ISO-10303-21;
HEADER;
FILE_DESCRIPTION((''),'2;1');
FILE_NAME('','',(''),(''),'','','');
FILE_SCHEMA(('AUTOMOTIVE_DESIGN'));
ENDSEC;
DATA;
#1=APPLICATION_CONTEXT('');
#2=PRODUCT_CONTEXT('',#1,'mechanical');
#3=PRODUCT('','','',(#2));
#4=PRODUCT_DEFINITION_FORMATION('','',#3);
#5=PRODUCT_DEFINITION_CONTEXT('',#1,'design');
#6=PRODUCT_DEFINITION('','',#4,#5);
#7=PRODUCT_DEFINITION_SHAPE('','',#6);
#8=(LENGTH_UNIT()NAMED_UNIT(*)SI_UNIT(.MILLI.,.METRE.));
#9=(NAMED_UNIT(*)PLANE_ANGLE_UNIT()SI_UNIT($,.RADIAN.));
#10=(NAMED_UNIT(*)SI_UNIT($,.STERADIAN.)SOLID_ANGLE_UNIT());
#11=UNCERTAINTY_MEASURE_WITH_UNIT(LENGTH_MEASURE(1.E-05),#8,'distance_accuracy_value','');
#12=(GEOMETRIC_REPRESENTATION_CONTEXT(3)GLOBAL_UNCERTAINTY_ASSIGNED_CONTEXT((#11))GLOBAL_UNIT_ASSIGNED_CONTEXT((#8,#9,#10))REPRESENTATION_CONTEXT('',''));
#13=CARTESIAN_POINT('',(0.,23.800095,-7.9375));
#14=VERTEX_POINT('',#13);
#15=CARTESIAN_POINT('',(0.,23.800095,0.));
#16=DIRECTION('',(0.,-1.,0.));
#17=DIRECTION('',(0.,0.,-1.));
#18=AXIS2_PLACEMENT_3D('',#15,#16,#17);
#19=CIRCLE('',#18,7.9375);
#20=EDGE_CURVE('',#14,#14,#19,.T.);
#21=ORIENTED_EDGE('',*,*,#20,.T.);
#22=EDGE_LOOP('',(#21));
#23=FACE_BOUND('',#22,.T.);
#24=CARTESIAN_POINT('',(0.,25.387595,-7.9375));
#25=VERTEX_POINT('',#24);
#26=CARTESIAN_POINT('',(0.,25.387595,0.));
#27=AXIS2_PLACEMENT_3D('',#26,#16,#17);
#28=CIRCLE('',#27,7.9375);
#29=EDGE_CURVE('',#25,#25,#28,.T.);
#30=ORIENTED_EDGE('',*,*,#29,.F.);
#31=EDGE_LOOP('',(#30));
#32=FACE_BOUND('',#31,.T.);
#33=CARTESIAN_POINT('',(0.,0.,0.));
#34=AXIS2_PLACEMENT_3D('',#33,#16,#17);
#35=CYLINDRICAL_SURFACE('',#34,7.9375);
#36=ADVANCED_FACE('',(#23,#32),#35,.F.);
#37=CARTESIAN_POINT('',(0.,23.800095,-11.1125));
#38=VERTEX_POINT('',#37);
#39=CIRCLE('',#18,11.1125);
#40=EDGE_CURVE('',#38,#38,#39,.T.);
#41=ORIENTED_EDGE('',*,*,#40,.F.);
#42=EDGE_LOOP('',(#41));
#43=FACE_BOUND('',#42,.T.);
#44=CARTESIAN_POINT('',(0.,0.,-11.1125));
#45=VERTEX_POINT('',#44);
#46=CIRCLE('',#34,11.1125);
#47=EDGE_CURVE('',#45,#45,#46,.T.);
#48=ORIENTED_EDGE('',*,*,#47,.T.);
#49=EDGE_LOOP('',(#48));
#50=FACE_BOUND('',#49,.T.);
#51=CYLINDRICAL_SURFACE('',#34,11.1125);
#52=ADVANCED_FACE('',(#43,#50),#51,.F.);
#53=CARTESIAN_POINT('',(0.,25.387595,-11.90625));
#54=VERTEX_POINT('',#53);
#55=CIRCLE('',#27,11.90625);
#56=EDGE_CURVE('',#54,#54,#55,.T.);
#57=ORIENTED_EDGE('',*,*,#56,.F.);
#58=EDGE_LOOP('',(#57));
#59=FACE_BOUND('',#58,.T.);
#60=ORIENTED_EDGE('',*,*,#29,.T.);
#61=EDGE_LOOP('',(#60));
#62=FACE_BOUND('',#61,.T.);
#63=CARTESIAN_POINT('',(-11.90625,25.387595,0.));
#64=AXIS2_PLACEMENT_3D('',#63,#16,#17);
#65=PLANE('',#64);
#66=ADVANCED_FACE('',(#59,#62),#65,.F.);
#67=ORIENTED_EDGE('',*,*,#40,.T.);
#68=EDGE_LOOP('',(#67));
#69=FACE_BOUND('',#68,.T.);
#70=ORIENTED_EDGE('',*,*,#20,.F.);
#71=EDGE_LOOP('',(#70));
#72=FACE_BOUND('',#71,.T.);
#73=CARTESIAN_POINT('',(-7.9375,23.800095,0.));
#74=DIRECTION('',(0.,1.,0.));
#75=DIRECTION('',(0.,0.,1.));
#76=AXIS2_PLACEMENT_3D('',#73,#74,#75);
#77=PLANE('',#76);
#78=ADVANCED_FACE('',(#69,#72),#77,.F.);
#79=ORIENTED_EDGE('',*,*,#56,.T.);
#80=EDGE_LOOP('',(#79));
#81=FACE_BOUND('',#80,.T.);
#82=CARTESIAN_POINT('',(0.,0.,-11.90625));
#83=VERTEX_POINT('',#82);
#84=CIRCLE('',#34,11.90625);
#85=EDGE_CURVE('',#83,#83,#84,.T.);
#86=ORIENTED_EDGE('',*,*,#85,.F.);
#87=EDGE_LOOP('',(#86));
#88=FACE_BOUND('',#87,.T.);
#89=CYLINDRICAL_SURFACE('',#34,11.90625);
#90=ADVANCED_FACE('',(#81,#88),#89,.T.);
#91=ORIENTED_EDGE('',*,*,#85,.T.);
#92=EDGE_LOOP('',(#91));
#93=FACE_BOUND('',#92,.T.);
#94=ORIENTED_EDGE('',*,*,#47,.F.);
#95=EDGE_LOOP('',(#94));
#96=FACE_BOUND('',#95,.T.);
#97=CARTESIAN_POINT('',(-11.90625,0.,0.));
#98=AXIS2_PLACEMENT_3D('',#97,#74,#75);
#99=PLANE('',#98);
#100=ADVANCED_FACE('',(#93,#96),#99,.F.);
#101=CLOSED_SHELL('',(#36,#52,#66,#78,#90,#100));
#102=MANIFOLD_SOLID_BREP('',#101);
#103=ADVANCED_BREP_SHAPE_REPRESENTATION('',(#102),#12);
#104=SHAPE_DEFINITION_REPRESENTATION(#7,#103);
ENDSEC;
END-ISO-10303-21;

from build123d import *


with BuildPart() as part:
    # Sketch1 → Revolve1 (revolve)
    with BuildSketch(Plane.XY, mode=Mode.PRIVATE) as revolve1_sk:
        Polygon((-11.90625, 25.387594627), (-11.90625, 0), (-11.1125, 0), (-11.1125, 23.800094627), (-7.9375, 23.800094627), (-7.9375, 25.387594627), align=None)
    revolve(revolve1_sk.sketch.rotate(Axis((0, 0, 0), (0, 1, 0)), 270), axis=Axis((0, 0, 0), (0, 1, 0)))


solid = part.part
